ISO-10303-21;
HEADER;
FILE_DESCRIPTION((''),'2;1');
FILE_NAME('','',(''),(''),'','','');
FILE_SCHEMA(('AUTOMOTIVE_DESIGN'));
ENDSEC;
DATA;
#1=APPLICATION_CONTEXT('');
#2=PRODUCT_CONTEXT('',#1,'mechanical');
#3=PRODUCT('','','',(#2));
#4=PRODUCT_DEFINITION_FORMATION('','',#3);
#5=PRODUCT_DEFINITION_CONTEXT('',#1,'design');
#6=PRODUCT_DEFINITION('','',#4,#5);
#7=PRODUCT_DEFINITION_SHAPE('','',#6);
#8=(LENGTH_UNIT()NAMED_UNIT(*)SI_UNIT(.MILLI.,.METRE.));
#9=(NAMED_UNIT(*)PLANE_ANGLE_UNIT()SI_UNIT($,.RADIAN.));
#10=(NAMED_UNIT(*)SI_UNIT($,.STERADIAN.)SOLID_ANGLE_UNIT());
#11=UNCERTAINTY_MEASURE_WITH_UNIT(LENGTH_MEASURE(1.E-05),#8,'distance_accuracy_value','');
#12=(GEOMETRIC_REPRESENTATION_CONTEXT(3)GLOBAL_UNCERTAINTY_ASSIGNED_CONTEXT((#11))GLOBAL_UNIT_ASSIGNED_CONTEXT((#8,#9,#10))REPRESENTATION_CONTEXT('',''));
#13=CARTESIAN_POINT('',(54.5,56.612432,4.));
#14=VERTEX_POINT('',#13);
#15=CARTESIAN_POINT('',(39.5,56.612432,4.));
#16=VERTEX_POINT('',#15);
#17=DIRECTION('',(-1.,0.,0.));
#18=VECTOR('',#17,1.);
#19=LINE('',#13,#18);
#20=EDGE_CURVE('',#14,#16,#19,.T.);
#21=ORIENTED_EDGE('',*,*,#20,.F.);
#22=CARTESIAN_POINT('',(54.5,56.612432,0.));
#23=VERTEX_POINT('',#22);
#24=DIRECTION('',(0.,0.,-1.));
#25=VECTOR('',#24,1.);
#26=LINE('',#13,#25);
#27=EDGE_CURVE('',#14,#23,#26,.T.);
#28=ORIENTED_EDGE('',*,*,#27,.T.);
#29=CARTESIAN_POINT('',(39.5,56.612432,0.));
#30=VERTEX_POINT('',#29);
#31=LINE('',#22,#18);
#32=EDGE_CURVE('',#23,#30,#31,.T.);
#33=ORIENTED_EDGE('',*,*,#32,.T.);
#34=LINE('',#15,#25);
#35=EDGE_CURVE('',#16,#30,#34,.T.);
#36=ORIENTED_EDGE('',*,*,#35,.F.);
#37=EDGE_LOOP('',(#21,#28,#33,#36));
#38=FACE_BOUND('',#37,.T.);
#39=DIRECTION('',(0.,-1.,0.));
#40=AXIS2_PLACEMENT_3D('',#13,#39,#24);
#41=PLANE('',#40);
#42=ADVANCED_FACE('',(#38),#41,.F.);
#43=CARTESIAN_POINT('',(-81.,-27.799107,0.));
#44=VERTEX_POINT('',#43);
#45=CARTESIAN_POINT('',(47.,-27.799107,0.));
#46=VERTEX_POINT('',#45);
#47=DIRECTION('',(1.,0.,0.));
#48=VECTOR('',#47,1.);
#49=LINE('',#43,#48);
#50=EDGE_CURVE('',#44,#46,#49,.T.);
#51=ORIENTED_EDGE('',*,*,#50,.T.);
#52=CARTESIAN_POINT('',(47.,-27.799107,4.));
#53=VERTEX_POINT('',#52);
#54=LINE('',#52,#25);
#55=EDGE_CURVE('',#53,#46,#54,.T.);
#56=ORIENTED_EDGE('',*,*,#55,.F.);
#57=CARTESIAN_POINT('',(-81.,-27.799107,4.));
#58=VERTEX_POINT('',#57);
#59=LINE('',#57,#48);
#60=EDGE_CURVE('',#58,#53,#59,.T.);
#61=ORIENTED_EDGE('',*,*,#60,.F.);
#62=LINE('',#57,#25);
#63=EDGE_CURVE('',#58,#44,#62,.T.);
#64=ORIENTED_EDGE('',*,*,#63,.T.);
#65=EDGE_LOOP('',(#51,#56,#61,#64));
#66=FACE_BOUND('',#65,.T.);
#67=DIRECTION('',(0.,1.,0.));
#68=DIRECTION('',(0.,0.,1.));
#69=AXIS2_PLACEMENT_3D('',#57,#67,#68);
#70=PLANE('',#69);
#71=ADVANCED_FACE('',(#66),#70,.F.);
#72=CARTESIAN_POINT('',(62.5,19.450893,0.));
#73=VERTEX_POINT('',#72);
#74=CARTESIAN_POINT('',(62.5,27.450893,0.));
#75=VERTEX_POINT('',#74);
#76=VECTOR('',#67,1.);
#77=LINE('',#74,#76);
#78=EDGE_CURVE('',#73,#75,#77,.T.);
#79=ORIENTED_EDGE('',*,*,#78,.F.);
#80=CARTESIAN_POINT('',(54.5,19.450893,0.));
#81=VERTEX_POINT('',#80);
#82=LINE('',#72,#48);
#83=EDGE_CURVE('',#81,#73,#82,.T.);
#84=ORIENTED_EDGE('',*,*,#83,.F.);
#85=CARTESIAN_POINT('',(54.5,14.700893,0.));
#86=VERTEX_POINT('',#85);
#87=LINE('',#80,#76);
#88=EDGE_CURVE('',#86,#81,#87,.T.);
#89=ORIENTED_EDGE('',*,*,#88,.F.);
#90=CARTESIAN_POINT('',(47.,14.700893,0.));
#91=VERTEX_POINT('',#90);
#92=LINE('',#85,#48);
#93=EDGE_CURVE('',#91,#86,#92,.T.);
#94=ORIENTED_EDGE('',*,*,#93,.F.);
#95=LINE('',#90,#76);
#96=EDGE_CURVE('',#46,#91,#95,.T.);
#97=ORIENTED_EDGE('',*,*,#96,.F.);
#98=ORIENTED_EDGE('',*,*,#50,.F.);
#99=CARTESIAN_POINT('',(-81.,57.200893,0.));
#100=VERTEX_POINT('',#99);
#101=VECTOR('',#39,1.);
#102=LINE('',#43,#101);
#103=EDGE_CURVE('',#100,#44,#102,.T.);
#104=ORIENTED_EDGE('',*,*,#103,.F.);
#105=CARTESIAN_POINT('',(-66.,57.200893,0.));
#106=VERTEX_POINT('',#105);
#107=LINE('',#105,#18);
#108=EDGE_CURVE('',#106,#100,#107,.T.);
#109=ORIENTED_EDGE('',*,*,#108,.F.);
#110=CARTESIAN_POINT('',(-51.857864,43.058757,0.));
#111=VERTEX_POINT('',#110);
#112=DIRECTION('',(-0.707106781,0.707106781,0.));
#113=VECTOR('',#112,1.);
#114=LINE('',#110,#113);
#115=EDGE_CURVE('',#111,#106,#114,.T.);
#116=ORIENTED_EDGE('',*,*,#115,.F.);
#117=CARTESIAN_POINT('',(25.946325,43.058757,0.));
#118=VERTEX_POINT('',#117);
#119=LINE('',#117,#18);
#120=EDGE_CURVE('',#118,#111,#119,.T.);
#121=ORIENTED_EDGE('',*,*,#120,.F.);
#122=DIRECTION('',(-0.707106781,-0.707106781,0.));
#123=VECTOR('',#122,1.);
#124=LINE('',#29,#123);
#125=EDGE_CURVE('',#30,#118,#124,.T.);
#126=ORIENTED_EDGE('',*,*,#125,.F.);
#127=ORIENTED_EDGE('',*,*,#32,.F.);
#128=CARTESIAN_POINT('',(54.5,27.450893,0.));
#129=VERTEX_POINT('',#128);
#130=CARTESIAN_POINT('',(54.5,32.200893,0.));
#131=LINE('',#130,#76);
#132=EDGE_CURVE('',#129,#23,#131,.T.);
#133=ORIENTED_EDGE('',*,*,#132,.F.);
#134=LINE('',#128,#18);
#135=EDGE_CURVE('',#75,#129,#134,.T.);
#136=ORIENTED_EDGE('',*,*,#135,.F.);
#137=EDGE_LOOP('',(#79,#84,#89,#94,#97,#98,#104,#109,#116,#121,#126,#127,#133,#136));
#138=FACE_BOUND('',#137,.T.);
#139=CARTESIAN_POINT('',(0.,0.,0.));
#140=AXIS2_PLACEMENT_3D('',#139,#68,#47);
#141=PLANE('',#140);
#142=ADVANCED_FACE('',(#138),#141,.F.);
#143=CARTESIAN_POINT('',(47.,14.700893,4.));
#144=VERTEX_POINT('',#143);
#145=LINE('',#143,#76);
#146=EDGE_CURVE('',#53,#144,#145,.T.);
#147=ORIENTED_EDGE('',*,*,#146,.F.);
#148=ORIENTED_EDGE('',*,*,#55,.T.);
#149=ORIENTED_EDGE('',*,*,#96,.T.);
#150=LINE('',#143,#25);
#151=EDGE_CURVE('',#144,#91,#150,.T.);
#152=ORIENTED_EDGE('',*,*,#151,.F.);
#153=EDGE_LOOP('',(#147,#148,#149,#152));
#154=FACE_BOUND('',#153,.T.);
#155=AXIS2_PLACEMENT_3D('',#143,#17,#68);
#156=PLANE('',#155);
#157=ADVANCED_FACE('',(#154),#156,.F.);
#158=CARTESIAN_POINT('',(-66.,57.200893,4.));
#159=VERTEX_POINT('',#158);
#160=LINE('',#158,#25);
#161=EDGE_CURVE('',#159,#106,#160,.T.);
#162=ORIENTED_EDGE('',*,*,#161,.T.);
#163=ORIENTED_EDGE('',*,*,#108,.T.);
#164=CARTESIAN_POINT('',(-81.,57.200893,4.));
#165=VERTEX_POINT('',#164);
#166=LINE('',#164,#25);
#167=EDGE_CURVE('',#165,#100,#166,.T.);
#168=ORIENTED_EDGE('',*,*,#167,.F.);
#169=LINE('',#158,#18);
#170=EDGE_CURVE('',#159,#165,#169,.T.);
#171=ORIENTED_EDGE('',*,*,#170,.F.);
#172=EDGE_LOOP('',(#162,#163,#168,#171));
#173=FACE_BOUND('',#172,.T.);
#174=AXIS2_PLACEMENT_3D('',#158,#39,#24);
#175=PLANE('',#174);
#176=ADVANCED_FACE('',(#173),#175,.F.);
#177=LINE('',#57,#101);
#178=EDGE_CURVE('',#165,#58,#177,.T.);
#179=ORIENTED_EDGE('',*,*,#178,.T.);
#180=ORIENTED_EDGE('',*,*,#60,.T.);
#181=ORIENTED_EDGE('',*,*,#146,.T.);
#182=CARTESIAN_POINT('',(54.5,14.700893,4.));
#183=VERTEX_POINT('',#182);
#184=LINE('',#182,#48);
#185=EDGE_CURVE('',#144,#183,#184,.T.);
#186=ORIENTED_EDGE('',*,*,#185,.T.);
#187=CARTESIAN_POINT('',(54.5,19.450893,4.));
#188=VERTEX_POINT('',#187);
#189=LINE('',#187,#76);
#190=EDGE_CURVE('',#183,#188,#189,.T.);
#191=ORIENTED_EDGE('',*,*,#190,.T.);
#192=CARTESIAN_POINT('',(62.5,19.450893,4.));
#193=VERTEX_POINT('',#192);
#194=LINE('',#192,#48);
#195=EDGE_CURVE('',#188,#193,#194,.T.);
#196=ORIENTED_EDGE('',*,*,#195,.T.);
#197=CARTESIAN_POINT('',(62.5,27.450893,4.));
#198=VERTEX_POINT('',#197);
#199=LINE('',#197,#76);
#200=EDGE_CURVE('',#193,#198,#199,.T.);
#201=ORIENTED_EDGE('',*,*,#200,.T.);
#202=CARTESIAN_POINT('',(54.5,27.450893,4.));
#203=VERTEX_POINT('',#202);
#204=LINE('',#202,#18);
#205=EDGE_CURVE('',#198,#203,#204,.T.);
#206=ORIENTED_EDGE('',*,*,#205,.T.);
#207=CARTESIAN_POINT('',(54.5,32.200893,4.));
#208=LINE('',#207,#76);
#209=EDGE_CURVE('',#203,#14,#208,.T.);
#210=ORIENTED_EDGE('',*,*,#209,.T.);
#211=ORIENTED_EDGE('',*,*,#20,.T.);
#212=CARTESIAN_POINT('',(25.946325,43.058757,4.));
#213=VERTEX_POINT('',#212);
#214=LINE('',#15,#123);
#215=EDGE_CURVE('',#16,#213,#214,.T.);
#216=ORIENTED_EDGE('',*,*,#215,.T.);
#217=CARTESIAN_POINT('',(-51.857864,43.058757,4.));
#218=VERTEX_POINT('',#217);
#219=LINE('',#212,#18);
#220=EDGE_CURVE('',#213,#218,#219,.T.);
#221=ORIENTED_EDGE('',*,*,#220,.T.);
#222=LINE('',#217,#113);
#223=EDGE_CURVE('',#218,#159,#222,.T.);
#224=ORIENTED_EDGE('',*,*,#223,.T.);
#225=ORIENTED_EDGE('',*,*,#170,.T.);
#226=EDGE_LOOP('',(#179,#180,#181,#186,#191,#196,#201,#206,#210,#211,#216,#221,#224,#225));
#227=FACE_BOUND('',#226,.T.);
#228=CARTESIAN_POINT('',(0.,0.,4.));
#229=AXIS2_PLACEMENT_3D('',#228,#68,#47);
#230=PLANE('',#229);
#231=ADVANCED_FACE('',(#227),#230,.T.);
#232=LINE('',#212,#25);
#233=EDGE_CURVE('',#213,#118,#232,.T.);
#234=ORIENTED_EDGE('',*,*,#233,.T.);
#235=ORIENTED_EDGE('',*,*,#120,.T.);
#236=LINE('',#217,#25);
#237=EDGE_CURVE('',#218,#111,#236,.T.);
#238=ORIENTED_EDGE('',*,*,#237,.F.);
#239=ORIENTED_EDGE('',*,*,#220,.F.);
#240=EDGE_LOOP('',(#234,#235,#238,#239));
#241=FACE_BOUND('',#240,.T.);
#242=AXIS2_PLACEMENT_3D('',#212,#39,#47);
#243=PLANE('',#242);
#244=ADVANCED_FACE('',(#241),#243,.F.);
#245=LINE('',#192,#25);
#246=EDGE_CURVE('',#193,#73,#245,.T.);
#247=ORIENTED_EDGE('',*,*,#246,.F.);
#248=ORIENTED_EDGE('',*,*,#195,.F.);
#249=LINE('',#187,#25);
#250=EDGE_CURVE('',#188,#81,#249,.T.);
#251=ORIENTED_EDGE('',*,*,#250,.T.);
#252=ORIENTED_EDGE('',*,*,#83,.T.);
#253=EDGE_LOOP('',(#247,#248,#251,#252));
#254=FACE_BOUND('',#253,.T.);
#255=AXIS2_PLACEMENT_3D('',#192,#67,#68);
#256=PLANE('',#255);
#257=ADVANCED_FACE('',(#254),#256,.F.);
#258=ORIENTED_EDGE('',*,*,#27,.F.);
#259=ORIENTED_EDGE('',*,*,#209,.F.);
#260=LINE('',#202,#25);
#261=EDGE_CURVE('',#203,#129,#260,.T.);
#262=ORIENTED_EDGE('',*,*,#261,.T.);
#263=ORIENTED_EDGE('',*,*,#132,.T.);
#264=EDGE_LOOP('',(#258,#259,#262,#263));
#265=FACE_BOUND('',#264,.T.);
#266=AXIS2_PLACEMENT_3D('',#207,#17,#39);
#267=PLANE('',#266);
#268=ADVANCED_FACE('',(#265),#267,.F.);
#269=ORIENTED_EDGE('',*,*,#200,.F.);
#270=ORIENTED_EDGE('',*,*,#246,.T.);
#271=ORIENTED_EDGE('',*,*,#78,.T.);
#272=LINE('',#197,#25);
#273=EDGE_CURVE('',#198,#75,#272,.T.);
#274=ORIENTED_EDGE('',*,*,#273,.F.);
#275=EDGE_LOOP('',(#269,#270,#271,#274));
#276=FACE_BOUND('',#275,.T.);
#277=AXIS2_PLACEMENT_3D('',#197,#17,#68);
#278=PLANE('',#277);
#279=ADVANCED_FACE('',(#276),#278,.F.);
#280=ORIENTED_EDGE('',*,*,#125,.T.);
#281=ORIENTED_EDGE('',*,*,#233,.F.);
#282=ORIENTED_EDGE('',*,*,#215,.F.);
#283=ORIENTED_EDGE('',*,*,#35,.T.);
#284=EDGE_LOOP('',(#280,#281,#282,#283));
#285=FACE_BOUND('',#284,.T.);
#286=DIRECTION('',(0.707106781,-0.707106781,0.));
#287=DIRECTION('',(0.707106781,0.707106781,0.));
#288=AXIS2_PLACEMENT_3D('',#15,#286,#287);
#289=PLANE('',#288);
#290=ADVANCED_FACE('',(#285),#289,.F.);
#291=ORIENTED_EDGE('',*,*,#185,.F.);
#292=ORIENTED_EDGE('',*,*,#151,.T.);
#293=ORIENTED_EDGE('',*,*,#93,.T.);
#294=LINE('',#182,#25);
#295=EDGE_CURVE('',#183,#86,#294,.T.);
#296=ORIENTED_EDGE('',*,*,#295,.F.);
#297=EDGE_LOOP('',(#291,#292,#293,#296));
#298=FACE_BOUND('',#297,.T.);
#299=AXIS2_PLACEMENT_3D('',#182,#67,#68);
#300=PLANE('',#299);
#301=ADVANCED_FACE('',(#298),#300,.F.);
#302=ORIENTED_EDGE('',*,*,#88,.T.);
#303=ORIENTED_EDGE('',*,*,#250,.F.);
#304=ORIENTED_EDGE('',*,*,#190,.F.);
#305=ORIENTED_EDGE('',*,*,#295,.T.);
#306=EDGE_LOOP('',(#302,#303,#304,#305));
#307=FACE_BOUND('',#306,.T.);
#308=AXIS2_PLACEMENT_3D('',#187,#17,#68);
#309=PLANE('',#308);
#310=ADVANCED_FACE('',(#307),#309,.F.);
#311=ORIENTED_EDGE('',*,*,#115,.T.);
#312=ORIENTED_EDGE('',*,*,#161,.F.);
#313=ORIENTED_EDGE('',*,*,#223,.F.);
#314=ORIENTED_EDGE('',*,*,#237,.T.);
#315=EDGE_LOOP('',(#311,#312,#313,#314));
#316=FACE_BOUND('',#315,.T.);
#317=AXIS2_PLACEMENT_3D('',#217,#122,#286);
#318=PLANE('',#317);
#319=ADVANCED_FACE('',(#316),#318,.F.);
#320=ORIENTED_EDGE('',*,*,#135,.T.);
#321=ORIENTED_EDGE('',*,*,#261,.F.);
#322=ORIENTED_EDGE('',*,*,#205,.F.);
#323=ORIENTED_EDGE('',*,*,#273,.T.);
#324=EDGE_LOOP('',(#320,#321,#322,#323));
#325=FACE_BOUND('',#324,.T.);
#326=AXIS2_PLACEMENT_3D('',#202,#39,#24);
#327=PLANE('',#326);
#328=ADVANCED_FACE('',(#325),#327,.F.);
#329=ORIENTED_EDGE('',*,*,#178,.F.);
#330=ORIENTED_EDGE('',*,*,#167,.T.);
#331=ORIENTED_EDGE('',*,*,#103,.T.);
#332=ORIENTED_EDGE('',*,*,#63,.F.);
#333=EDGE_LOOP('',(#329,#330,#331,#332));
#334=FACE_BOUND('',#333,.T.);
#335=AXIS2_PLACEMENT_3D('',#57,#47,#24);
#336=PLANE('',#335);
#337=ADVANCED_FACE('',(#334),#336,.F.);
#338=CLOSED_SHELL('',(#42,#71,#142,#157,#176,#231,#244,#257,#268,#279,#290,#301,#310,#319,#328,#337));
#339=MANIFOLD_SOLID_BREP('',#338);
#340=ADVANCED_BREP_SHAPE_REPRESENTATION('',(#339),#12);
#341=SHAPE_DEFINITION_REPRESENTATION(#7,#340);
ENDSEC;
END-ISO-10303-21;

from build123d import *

# Parameters (mm, degrees)
BOSS_EXTRUDE1_DEPTH = 4
BOSS_EXTRUDE2_DEPTH = 4


with BuildPart() as part:
    # Sketch1 → Boss-Extrude1 (new body)
    with BuildSketch(Plane.XY):
        Polygon((47, 32.200893004), (54.5, 32.200893004), (54.5, 27.450893004), (62.5, 27.450893004), (62.5, 19.450893004), (54.5, 19.450893004), (54.5, 14.700893004), (47, 14.700893004), (47, -27.799106996), (-81, -27.799106996), (-81, 32.200893004), align=None)
    extrude(amount=BOSS_EXTRUDE1_DEPTH)

    # Sketch2 → Boss-Extrude2 (add)
    with BuildSketch(Plane.XY):
        Polygon((-81, 32.200893004), (54.5, 32.200893004), (54.5, 56.612431949), (39.5, 56.612431949), (25.946325432, 43.058757381), (-51.857864376, 43.058757381), (-66, 57.200893004), (-81, 57.200893004), align=None)
    extrude(amount=BOSS_EXTRUDE2_DEPTH)


solid = part.part
